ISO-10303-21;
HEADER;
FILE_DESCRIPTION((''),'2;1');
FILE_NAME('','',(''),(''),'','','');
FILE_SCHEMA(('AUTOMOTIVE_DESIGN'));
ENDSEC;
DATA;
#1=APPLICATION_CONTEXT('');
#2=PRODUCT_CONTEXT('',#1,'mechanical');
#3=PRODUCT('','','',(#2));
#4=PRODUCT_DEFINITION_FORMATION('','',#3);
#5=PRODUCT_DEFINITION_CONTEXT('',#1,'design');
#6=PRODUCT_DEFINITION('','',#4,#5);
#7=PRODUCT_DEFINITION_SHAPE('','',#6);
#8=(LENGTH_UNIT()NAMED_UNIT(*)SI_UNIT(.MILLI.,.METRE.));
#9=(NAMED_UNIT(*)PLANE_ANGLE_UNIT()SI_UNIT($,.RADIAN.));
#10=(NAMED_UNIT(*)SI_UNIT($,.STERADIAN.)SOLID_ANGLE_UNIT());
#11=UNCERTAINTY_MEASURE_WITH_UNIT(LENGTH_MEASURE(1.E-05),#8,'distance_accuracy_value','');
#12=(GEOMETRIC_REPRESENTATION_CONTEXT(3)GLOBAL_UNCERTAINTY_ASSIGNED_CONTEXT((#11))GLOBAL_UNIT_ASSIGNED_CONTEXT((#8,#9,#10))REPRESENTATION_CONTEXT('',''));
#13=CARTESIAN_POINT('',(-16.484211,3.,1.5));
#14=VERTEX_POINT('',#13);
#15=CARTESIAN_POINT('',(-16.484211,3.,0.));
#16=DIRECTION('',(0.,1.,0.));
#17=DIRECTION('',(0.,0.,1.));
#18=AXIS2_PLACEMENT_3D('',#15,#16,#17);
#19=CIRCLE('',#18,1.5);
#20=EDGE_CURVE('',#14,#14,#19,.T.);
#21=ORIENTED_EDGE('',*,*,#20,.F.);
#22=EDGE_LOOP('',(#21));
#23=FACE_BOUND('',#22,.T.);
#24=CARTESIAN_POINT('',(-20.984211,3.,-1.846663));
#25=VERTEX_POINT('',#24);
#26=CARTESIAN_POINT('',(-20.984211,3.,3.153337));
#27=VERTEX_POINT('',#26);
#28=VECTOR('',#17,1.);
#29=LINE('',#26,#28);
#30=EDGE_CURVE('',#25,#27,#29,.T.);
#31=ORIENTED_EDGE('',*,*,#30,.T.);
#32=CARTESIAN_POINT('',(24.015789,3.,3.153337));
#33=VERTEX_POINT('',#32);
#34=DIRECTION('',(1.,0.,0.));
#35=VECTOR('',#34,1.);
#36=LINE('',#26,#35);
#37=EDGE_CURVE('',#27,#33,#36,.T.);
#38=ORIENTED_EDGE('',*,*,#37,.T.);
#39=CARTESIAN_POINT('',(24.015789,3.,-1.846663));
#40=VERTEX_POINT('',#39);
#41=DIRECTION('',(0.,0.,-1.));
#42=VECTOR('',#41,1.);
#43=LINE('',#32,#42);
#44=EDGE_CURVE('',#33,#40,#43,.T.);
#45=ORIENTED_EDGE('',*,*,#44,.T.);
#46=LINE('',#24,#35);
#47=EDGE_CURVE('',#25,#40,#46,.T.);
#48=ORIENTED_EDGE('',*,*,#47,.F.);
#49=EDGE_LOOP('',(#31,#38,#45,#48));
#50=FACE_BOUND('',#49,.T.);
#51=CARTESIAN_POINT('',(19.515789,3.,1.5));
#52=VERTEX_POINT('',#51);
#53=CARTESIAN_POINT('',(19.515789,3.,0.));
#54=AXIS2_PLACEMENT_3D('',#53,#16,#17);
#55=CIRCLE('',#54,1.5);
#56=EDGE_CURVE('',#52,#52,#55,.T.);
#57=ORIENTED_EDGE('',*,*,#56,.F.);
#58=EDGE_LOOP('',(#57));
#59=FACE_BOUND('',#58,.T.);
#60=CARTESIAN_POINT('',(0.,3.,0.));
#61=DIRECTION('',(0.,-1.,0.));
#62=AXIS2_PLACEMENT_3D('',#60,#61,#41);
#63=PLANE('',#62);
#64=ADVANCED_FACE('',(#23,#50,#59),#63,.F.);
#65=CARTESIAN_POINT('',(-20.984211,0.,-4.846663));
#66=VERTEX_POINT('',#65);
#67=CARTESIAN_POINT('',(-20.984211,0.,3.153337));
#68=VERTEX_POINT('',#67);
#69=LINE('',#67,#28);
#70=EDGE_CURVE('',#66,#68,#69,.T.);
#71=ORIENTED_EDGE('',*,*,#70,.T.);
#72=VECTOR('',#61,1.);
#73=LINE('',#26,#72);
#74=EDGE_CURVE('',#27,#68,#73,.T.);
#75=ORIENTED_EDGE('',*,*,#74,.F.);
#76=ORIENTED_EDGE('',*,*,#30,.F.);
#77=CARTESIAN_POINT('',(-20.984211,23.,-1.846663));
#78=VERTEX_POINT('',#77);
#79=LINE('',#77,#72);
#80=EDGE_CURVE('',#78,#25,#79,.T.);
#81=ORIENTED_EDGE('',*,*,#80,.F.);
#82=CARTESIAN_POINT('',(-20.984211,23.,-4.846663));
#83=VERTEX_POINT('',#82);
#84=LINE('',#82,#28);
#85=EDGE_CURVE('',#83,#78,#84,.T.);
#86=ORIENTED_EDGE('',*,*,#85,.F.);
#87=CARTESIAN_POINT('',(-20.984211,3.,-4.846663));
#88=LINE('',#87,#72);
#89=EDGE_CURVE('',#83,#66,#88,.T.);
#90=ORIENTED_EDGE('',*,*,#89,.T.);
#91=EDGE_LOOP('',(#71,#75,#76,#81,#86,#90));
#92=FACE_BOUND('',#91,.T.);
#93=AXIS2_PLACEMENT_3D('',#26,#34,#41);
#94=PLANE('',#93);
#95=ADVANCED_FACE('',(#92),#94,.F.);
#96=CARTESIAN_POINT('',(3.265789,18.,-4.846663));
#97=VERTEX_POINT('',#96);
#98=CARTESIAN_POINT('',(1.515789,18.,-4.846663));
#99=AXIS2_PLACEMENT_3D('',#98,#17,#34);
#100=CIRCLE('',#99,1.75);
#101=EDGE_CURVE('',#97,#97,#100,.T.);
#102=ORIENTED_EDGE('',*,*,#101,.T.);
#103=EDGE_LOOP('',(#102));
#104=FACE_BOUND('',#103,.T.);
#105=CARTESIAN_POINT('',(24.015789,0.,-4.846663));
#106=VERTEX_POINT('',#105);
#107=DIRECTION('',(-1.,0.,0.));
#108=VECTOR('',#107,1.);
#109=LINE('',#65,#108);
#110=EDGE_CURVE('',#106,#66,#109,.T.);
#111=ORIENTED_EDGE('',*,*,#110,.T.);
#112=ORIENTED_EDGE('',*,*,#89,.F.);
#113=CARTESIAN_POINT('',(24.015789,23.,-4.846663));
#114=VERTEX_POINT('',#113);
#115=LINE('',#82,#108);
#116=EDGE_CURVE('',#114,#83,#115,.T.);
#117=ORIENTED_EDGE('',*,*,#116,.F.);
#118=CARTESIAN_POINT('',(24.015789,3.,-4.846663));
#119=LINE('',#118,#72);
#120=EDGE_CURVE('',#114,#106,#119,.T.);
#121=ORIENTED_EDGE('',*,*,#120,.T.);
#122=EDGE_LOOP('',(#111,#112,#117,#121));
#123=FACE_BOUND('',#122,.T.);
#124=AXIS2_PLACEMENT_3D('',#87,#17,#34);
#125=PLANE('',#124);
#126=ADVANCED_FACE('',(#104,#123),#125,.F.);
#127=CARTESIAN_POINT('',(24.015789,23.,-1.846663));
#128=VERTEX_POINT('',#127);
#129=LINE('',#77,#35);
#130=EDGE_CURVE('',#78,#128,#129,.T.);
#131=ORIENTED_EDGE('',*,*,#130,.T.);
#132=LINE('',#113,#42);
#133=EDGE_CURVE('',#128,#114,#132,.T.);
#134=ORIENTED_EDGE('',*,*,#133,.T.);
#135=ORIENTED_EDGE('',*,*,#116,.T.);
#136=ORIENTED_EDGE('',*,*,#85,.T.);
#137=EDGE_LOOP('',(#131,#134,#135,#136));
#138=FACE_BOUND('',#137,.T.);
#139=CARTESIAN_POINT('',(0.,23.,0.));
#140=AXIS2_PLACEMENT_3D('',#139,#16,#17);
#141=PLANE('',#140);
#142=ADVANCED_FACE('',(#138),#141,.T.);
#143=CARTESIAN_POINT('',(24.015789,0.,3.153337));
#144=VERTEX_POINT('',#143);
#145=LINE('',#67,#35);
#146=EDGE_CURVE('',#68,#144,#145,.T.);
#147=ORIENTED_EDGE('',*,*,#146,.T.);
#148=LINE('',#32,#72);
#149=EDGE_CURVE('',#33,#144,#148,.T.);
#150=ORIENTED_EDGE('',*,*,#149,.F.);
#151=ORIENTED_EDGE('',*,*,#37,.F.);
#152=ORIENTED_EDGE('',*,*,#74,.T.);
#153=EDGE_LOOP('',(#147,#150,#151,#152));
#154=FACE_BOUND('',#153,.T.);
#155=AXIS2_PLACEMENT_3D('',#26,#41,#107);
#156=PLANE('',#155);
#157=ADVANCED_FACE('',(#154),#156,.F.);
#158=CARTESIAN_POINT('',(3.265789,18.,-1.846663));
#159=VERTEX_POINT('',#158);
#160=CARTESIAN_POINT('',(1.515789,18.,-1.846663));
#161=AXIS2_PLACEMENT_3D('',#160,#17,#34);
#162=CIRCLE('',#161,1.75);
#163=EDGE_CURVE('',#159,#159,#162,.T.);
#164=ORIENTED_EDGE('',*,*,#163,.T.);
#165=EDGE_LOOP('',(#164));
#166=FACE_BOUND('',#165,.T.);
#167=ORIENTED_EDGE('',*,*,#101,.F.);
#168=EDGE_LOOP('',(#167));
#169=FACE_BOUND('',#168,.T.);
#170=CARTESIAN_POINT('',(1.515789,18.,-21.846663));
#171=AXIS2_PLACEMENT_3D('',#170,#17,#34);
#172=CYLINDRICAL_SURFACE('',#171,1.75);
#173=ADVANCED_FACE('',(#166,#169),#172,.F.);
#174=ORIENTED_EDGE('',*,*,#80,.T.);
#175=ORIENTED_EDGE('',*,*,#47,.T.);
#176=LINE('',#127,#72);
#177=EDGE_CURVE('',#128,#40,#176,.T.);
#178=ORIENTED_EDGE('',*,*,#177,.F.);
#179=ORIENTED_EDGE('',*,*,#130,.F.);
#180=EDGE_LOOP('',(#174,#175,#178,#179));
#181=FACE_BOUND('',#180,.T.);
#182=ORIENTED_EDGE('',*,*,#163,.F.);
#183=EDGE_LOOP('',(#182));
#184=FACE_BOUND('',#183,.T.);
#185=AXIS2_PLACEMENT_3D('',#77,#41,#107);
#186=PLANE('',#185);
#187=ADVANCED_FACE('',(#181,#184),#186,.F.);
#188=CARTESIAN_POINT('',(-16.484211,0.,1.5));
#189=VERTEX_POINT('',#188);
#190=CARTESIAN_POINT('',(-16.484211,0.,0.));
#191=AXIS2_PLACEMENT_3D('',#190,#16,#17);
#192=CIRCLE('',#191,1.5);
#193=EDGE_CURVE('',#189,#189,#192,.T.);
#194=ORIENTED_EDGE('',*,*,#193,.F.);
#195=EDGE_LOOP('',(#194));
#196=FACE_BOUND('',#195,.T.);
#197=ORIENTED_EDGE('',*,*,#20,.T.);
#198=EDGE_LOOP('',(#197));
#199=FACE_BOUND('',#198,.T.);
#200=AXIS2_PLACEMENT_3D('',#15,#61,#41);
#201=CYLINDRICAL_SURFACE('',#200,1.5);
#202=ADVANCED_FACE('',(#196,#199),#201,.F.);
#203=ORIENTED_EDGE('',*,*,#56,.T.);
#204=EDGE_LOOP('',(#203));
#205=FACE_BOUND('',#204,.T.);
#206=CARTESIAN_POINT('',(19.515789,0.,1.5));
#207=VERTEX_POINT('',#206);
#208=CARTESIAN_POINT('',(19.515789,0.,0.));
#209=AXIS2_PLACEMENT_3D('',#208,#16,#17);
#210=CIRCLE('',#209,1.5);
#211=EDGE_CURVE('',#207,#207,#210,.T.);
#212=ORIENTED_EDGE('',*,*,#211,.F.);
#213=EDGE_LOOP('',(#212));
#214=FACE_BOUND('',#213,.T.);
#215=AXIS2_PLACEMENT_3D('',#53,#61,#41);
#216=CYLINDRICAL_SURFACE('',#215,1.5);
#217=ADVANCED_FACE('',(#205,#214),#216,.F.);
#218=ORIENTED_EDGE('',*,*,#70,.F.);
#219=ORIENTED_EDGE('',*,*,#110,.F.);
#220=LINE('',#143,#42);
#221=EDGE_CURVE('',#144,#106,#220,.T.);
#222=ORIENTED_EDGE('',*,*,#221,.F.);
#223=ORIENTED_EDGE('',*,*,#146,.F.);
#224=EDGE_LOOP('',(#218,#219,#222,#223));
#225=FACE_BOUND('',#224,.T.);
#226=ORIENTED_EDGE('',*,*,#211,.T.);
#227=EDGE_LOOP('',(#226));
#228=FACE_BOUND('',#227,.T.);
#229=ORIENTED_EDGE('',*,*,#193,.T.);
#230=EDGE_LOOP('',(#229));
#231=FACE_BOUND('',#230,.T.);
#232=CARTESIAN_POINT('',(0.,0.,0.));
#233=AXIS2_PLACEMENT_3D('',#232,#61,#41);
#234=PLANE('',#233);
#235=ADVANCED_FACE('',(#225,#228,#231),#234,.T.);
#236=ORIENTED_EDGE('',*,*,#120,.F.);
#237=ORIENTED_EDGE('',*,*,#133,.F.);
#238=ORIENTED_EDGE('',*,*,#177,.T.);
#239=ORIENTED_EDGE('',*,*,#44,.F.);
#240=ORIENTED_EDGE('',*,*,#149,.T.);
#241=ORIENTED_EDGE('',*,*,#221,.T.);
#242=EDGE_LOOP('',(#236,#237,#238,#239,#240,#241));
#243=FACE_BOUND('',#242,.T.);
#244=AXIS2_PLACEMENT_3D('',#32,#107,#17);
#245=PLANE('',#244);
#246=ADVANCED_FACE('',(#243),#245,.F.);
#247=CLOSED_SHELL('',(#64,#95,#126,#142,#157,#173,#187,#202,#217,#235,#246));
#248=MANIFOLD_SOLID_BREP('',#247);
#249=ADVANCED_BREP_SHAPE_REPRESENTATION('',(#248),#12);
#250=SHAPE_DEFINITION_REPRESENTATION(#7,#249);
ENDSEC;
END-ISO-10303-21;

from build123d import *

# Parameters (mm, degrees)
ESQUISSE1_W             = 45
ESQUISSE1_H             = 8
ESQUISSE1_R             = 1.5
BOSS_EXTRU_1_DEPTH      = 3
ESQUISSE2_W             = 45
ESQUISSE2_H             = 3
BOSS_EXTRU_2_DEPTH      = 20
ESQUISSE3_R             = 1.75
ENL_V_MAT_EXTRU_1_DEPTH = 20


with BuildPart() as part:
    # Esquisse1 → Boss.-Extru.1 (new body)
    with BuildSketch(Plane(origin=(0, 0, 0), x_dir=(1, 0, 0), z_dir=(0, 1, 0))):
        with Locations((1.515789474, 0.846662995)):
            Rectangle(ESQUISSE1_W, ESQUISSE1_H)
        with Locations(Location((19.515789474, 0, 0), (0, 0, 270))):
            Circle(ESQUISSE1_R, mode=Mode.SUBTRACT)
        with Locations(Location((-16.484210526, 0, 0), (0, 0, 270))):
            Circle(ESQUISSE1_R, mode=Mode.SUBTRACT)
    extrude(amount=BOSS_EXTRU_1_DEPTH)

    # Esquisse2 → Boss.-Extru.2 (add)
    with BuildSketch(Plane(origin=(0, 3, 0), x_dir=(1, 0, 0), z_dir=(0, 1, 0))):
        with Locations((1.515789474, 3.346662995)):
            Rectangle(ESQUISSE2_W, ESQUISSE2_H)
    extrude(amount=BOSS_EXTRU_2_DEPTH)

    # Esquisse3 → Enlèv. mat.-Extru.1 (cut)
    with BuildSketch(Plane.XY.offset(-1.846662995)):
        with Locations((1.515789474, 18)):
            Circle(ESQUISSE3_R)
    extrude(amount=-ENL_V_MAT_EXTRU_1_DEPTH, mode=Mode.SUBTRACT)


solid = part.part
